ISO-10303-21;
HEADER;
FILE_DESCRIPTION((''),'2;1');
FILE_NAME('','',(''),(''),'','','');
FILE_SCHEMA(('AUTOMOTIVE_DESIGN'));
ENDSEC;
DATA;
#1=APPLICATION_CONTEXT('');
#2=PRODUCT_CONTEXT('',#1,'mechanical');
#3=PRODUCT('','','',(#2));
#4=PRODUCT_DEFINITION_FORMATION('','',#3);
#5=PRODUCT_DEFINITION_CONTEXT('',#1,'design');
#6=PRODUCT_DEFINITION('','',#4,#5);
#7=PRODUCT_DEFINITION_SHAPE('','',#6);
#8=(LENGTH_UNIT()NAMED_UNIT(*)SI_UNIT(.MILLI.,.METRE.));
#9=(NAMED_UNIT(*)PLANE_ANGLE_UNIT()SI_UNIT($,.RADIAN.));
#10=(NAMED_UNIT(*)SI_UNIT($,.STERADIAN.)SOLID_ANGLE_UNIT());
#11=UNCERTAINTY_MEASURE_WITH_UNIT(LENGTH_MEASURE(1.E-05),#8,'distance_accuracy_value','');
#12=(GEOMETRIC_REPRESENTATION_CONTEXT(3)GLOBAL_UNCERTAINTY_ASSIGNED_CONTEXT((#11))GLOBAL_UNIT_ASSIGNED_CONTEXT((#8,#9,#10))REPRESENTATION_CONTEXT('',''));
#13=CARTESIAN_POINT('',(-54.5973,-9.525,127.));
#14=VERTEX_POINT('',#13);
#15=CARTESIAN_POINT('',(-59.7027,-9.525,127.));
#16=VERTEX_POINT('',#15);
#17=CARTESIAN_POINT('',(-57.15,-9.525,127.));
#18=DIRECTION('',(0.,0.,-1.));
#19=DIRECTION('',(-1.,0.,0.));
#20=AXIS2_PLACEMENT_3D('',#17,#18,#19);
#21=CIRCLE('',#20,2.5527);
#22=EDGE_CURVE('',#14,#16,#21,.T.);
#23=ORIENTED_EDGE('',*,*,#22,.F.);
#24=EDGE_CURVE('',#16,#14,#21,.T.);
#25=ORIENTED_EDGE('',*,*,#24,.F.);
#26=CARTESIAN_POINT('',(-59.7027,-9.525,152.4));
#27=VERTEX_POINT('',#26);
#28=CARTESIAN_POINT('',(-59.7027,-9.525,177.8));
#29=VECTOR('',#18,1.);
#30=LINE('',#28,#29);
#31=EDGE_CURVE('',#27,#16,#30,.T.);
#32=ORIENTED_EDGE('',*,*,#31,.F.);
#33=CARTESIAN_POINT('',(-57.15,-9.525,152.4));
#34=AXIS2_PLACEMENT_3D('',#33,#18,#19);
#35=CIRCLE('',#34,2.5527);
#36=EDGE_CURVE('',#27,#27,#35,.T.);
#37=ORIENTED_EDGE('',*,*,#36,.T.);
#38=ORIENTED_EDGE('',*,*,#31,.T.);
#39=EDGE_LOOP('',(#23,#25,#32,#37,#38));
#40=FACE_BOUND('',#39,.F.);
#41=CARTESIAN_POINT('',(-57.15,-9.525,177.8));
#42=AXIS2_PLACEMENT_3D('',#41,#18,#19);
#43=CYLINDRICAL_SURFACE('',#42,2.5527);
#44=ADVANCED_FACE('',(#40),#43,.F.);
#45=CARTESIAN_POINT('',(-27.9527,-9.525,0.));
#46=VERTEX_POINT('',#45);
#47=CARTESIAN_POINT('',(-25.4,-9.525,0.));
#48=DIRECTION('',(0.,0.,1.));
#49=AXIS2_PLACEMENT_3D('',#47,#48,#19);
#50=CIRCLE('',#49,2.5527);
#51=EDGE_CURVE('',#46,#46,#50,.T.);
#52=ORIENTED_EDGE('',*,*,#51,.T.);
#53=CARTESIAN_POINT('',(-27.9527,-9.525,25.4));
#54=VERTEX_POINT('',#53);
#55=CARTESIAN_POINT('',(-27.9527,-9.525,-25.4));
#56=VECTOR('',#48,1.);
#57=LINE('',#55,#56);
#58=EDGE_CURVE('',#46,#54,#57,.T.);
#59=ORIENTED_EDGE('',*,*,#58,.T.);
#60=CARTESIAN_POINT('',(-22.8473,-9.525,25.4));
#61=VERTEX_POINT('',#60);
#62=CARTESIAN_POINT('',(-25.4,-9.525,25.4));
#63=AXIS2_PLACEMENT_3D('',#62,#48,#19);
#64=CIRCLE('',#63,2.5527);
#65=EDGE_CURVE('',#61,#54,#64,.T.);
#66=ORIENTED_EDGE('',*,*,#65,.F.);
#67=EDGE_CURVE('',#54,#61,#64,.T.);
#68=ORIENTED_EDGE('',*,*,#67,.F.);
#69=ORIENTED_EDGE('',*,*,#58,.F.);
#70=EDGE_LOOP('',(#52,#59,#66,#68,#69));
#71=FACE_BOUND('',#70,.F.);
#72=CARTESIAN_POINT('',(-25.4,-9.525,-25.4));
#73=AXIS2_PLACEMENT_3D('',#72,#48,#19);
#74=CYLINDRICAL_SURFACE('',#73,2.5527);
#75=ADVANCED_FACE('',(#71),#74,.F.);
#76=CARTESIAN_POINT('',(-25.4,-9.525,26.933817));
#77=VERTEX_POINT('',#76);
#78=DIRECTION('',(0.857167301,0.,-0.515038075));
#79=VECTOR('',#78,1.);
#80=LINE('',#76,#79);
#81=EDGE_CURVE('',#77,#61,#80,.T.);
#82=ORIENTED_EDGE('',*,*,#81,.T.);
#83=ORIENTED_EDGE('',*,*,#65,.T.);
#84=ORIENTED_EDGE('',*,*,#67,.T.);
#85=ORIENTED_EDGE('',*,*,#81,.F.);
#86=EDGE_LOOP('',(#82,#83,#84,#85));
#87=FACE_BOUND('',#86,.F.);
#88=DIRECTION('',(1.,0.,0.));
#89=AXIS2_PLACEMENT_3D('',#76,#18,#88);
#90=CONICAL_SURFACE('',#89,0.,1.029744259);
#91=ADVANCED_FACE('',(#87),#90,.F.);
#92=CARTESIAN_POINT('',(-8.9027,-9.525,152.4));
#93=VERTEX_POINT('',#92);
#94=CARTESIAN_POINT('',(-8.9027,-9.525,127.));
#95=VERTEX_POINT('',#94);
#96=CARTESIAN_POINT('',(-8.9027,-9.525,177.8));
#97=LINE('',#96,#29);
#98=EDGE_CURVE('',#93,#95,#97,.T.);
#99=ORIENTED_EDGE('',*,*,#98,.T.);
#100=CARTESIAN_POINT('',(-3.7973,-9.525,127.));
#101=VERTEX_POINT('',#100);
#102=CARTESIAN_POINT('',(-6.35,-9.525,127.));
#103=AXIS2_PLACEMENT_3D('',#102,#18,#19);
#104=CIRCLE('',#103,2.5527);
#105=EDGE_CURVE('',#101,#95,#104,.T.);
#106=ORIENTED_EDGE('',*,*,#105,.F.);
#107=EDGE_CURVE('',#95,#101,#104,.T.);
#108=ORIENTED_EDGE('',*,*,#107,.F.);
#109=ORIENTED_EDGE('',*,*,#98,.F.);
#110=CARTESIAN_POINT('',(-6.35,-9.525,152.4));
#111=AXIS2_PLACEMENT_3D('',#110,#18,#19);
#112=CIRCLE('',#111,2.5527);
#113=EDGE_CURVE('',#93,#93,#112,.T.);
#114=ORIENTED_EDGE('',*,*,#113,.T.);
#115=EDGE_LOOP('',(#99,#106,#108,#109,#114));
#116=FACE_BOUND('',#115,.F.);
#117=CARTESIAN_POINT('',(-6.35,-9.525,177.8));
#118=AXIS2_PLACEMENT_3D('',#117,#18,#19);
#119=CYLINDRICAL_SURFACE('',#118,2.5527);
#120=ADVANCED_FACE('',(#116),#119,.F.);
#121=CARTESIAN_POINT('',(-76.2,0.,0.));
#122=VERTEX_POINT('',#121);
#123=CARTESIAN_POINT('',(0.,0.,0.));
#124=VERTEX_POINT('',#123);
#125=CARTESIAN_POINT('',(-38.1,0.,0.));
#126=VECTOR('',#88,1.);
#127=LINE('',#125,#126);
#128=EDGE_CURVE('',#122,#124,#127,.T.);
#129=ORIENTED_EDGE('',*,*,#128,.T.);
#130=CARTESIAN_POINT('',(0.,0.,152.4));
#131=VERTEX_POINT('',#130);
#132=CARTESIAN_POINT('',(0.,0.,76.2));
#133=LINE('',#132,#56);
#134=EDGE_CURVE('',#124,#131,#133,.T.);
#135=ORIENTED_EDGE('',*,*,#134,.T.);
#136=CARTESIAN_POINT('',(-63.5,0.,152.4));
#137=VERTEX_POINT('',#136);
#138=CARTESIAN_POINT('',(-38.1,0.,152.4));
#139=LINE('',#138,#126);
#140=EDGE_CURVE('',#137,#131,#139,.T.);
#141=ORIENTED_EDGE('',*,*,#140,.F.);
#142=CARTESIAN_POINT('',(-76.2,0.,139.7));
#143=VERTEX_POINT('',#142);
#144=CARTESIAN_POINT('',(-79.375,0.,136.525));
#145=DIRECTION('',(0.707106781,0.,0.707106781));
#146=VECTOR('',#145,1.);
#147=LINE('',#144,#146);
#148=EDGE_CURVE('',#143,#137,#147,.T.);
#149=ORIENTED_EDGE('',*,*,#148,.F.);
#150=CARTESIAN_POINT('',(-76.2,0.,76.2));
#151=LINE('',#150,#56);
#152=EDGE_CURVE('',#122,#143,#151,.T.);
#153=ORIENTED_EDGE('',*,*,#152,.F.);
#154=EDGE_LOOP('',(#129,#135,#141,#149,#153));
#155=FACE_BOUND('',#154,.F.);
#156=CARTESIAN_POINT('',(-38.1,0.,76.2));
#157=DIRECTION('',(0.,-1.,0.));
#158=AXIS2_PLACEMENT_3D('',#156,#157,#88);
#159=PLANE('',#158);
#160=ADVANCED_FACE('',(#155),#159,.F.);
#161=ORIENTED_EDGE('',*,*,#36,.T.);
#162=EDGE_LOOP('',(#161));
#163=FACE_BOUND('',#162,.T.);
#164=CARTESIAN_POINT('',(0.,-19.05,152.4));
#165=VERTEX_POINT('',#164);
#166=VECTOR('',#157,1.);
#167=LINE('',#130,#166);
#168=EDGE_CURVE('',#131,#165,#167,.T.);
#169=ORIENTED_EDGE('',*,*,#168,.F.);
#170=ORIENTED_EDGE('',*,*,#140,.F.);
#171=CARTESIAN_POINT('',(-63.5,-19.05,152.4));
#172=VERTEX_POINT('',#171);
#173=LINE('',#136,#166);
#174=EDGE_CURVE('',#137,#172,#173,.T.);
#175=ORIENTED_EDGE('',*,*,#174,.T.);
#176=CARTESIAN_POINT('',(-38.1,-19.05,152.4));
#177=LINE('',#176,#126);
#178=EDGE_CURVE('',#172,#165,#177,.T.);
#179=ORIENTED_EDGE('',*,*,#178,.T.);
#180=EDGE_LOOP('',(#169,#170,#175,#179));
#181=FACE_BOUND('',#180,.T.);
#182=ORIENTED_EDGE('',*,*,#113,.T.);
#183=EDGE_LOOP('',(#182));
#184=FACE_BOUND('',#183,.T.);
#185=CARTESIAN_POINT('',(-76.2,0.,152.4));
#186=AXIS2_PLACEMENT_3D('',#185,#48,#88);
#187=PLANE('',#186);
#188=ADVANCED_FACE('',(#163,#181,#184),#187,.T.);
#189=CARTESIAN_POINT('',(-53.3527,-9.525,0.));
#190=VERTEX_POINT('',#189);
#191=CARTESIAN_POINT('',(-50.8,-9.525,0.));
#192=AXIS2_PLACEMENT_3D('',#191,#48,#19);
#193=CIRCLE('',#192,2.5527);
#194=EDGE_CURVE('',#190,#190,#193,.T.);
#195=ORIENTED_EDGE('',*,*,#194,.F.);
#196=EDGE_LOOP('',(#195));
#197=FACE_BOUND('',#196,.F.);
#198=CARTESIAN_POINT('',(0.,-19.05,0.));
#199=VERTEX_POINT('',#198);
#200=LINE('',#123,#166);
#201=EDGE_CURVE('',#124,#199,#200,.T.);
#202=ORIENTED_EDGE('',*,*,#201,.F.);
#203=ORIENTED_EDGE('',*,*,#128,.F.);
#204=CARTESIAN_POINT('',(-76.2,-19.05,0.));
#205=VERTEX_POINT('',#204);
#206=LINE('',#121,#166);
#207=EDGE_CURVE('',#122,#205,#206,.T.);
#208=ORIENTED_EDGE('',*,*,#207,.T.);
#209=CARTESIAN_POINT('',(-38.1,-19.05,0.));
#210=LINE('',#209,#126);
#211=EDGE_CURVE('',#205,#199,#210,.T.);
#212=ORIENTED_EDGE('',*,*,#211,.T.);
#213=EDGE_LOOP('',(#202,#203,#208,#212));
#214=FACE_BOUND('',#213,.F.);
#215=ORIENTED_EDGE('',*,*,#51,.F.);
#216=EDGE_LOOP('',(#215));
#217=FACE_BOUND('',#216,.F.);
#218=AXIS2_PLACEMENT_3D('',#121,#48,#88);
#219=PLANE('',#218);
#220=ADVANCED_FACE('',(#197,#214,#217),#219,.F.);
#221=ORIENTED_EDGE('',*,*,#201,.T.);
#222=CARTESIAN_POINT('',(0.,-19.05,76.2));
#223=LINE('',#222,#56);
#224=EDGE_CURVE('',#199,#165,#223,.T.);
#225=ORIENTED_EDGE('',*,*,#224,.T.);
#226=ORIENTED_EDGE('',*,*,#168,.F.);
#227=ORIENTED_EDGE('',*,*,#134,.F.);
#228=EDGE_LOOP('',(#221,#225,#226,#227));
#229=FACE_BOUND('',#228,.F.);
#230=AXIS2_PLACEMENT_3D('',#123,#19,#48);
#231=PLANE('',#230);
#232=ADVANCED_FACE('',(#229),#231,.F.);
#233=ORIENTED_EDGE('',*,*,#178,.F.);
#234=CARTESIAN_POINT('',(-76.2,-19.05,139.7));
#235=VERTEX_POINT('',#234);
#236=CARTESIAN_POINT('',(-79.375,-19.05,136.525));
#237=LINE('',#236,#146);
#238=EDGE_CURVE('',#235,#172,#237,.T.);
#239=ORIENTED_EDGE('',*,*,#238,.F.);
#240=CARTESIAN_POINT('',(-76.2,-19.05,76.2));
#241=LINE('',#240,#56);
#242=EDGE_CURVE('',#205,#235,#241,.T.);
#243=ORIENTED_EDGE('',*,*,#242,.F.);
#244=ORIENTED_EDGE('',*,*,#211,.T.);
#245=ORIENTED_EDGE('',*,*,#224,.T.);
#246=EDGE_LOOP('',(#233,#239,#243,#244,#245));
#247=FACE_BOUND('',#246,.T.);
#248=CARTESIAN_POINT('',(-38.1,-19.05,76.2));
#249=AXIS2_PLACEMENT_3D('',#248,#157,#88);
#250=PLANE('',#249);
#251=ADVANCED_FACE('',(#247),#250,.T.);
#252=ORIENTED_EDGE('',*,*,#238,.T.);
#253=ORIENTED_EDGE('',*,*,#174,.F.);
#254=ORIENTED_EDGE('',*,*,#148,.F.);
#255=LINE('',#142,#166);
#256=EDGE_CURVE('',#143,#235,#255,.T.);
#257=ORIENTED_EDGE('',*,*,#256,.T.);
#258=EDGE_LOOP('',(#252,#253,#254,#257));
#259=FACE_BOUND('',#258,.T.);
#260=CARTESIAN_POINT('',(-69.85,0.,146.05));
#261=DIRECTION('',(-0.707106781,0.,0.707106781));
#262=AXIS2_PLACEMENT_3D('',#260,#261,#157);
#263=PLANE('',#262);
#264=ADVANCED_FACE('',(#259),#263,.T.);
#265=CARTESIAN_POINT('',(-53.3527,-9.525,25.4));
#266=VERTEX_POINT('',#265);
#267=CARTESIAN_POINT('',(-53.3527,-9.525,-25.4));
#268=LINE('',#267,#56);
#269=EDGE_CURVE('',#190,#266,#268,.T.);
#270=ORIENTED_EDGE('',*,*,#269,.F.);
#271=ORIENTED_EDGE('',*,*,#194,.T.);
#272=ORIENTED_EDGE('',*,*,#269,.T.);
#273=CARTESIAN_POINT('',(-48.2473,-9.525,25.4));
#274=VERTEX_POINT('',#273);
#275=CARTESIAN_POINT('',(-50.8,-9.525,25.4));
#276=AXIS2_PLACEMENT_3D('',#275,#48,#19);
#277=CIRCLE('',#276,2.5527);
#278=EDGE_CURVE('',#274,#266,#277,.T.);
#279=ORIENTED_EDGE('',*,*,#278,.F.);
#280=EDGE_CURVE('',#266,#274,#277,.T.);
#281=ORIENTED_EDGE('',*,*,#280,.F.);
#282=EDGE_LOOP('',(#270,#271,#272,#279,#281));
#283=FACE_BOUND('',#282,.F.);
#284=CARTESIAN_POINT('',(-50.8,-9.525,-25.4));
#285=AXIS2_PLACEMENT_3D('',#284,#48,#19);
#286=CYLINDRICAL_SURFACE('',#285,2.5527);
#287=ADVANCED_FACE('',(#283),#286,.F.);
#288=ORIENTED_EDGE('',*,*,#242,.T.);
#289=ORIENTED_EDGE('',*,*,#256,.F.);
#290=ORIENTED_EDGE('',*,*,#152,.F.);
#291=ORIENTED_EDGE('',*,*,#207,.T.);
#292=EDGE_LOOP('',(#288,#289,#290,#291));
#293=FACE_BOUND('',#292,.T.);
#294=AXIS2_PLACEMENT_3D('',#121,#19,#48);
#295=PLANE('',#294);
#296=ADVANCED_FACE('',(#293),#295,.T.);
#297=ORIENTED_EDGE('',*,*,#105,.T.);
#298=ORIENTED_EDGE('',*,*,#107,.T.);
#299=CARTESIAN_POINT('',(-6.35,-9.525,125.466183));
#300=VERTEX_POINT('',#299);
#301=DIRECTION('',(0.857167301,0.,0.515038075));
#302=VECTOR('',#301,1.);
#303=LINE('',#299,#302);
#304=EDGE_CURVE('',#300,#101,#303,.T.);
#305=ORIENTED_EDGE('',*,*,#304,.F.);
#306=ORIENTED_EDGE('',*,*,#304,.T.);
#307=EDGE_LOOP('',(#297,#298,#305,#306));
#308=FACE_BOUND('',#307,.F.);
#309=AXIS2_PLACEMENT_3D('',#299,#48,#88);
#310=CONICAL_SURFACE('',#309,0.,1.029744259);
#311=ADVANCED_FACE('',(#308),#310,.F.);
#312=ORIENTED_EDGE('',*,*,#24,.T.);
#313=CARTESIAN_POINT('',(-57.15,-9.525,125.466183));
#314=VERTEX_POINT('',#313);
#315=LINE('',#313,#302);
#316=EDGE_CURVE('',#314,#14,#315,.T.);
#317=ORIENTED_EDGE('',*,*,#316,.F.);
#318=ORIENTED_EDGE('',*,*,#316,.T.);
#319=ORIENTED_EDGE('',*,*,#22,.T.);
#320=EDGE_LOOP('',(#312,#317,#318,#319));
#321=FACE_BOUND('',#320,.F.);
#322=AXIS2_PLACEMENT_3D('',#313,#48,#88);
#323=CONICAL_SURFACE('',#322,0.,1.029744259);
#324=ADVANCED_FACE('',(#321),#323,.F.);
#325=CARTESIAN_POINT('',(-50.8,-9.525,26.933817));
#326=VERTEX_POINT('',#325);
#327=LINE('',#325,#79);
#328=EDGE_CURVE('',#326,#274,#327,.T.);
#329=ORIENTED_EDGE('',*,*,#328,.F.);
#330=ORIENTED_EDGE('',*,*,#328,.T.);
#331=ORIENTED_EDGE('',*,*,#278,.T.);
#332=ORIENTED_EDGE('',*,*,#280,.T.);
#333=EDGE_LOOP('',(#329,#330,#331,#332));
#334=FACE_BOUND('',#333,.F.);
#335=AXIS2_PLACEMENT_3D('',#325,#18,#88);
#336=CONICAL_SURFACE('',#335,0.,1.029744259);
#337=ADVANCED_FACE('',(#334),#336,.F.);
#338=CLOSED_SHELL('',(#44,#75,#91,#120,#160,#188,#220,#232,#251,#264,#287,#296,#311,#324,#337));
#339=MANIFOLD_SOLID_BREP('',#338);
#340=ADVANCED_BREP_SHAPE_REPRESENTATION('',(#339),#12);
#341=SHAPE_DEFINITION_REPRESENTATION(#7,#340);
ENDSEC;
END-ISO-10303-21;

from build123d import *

# Parameters (mm, degrees)
F0_W     = 76.2
F0_H     = 152.4
F1_DEPTH = 19.05
F3_D     = 5.1054
F3_DEPTH = 25.4
F3_TIP   = 1.5338169022
F4_D     = 5.1054
F4_DEPTH = 25.4
F4_TIP   = 1.5338169022
F6_D     = 5.1054
F6_DEPTH = 25.4
F6_TIP   = 1.5338169022
F7_SIZE  = 12.7


with BuildPart() as f1:
    # F0 (on Front) → F1 (new body)
    with BuildSketch(Plane.XZ):
        with Locations((-38.1, 76.2)):
            Rectangle(F0_W, F0_H)
    extrude(amount=F1_DEPTH)

    # F3
    with Locations(Plane(origin=(0, 0, 0), x_dir=(1, 0, 0), z_dir=(0, 0, -1))):
        with Locations((-50.8, 9.525)):
            Hole(F3_D / 2, depth=F3_DEPTH)
            with Locations((0, 0, -(F3_DEPTH + F3_TIP / 2))):  # 118° drill point
                Cone(0, F3_D / 2, F3_TIP, mode=Mode.SUBTRACT)

    # F4
    with Locations(Plane(origin=(0, 0, 0), x_dir=(1, 0, 0), z_dir=(0, 0, -1))):
        with Locations((-25.4, 9.525)):
            Hole(F4_D / 2, depth=F4_DEPTH)
            with Locations((0, 0, -(F4_DEPTH + F4_TIP / 2))):  # 118° drill point
                Cone(0, F4_D / 2, F4_TIP, mode=Mode.SUBTRACT)

    # F6
    with Locations(Plane.XY.offset(152.4)):
        with Locations((-57.15, -9.525), (-6.35, -9.525)):
            Hole(F6_D / 2, depth=F6_DEPTH)
            with Locations((0, 0, -(F6_DEPTH + F6_TIP / 2))):  # 118° drill point
                Cone(0, F6_D / 2, F6_TIP, mode=Mode.SUBTRACT)

    # F7
    f7_edges = [f1.edges().sort_by_distance(p)[0] for p in [
        (-76.2, -9.525, 152.4),
    ]]
    chamfer(f7_edges, length=F7_SIZE)


solid = f1.part
